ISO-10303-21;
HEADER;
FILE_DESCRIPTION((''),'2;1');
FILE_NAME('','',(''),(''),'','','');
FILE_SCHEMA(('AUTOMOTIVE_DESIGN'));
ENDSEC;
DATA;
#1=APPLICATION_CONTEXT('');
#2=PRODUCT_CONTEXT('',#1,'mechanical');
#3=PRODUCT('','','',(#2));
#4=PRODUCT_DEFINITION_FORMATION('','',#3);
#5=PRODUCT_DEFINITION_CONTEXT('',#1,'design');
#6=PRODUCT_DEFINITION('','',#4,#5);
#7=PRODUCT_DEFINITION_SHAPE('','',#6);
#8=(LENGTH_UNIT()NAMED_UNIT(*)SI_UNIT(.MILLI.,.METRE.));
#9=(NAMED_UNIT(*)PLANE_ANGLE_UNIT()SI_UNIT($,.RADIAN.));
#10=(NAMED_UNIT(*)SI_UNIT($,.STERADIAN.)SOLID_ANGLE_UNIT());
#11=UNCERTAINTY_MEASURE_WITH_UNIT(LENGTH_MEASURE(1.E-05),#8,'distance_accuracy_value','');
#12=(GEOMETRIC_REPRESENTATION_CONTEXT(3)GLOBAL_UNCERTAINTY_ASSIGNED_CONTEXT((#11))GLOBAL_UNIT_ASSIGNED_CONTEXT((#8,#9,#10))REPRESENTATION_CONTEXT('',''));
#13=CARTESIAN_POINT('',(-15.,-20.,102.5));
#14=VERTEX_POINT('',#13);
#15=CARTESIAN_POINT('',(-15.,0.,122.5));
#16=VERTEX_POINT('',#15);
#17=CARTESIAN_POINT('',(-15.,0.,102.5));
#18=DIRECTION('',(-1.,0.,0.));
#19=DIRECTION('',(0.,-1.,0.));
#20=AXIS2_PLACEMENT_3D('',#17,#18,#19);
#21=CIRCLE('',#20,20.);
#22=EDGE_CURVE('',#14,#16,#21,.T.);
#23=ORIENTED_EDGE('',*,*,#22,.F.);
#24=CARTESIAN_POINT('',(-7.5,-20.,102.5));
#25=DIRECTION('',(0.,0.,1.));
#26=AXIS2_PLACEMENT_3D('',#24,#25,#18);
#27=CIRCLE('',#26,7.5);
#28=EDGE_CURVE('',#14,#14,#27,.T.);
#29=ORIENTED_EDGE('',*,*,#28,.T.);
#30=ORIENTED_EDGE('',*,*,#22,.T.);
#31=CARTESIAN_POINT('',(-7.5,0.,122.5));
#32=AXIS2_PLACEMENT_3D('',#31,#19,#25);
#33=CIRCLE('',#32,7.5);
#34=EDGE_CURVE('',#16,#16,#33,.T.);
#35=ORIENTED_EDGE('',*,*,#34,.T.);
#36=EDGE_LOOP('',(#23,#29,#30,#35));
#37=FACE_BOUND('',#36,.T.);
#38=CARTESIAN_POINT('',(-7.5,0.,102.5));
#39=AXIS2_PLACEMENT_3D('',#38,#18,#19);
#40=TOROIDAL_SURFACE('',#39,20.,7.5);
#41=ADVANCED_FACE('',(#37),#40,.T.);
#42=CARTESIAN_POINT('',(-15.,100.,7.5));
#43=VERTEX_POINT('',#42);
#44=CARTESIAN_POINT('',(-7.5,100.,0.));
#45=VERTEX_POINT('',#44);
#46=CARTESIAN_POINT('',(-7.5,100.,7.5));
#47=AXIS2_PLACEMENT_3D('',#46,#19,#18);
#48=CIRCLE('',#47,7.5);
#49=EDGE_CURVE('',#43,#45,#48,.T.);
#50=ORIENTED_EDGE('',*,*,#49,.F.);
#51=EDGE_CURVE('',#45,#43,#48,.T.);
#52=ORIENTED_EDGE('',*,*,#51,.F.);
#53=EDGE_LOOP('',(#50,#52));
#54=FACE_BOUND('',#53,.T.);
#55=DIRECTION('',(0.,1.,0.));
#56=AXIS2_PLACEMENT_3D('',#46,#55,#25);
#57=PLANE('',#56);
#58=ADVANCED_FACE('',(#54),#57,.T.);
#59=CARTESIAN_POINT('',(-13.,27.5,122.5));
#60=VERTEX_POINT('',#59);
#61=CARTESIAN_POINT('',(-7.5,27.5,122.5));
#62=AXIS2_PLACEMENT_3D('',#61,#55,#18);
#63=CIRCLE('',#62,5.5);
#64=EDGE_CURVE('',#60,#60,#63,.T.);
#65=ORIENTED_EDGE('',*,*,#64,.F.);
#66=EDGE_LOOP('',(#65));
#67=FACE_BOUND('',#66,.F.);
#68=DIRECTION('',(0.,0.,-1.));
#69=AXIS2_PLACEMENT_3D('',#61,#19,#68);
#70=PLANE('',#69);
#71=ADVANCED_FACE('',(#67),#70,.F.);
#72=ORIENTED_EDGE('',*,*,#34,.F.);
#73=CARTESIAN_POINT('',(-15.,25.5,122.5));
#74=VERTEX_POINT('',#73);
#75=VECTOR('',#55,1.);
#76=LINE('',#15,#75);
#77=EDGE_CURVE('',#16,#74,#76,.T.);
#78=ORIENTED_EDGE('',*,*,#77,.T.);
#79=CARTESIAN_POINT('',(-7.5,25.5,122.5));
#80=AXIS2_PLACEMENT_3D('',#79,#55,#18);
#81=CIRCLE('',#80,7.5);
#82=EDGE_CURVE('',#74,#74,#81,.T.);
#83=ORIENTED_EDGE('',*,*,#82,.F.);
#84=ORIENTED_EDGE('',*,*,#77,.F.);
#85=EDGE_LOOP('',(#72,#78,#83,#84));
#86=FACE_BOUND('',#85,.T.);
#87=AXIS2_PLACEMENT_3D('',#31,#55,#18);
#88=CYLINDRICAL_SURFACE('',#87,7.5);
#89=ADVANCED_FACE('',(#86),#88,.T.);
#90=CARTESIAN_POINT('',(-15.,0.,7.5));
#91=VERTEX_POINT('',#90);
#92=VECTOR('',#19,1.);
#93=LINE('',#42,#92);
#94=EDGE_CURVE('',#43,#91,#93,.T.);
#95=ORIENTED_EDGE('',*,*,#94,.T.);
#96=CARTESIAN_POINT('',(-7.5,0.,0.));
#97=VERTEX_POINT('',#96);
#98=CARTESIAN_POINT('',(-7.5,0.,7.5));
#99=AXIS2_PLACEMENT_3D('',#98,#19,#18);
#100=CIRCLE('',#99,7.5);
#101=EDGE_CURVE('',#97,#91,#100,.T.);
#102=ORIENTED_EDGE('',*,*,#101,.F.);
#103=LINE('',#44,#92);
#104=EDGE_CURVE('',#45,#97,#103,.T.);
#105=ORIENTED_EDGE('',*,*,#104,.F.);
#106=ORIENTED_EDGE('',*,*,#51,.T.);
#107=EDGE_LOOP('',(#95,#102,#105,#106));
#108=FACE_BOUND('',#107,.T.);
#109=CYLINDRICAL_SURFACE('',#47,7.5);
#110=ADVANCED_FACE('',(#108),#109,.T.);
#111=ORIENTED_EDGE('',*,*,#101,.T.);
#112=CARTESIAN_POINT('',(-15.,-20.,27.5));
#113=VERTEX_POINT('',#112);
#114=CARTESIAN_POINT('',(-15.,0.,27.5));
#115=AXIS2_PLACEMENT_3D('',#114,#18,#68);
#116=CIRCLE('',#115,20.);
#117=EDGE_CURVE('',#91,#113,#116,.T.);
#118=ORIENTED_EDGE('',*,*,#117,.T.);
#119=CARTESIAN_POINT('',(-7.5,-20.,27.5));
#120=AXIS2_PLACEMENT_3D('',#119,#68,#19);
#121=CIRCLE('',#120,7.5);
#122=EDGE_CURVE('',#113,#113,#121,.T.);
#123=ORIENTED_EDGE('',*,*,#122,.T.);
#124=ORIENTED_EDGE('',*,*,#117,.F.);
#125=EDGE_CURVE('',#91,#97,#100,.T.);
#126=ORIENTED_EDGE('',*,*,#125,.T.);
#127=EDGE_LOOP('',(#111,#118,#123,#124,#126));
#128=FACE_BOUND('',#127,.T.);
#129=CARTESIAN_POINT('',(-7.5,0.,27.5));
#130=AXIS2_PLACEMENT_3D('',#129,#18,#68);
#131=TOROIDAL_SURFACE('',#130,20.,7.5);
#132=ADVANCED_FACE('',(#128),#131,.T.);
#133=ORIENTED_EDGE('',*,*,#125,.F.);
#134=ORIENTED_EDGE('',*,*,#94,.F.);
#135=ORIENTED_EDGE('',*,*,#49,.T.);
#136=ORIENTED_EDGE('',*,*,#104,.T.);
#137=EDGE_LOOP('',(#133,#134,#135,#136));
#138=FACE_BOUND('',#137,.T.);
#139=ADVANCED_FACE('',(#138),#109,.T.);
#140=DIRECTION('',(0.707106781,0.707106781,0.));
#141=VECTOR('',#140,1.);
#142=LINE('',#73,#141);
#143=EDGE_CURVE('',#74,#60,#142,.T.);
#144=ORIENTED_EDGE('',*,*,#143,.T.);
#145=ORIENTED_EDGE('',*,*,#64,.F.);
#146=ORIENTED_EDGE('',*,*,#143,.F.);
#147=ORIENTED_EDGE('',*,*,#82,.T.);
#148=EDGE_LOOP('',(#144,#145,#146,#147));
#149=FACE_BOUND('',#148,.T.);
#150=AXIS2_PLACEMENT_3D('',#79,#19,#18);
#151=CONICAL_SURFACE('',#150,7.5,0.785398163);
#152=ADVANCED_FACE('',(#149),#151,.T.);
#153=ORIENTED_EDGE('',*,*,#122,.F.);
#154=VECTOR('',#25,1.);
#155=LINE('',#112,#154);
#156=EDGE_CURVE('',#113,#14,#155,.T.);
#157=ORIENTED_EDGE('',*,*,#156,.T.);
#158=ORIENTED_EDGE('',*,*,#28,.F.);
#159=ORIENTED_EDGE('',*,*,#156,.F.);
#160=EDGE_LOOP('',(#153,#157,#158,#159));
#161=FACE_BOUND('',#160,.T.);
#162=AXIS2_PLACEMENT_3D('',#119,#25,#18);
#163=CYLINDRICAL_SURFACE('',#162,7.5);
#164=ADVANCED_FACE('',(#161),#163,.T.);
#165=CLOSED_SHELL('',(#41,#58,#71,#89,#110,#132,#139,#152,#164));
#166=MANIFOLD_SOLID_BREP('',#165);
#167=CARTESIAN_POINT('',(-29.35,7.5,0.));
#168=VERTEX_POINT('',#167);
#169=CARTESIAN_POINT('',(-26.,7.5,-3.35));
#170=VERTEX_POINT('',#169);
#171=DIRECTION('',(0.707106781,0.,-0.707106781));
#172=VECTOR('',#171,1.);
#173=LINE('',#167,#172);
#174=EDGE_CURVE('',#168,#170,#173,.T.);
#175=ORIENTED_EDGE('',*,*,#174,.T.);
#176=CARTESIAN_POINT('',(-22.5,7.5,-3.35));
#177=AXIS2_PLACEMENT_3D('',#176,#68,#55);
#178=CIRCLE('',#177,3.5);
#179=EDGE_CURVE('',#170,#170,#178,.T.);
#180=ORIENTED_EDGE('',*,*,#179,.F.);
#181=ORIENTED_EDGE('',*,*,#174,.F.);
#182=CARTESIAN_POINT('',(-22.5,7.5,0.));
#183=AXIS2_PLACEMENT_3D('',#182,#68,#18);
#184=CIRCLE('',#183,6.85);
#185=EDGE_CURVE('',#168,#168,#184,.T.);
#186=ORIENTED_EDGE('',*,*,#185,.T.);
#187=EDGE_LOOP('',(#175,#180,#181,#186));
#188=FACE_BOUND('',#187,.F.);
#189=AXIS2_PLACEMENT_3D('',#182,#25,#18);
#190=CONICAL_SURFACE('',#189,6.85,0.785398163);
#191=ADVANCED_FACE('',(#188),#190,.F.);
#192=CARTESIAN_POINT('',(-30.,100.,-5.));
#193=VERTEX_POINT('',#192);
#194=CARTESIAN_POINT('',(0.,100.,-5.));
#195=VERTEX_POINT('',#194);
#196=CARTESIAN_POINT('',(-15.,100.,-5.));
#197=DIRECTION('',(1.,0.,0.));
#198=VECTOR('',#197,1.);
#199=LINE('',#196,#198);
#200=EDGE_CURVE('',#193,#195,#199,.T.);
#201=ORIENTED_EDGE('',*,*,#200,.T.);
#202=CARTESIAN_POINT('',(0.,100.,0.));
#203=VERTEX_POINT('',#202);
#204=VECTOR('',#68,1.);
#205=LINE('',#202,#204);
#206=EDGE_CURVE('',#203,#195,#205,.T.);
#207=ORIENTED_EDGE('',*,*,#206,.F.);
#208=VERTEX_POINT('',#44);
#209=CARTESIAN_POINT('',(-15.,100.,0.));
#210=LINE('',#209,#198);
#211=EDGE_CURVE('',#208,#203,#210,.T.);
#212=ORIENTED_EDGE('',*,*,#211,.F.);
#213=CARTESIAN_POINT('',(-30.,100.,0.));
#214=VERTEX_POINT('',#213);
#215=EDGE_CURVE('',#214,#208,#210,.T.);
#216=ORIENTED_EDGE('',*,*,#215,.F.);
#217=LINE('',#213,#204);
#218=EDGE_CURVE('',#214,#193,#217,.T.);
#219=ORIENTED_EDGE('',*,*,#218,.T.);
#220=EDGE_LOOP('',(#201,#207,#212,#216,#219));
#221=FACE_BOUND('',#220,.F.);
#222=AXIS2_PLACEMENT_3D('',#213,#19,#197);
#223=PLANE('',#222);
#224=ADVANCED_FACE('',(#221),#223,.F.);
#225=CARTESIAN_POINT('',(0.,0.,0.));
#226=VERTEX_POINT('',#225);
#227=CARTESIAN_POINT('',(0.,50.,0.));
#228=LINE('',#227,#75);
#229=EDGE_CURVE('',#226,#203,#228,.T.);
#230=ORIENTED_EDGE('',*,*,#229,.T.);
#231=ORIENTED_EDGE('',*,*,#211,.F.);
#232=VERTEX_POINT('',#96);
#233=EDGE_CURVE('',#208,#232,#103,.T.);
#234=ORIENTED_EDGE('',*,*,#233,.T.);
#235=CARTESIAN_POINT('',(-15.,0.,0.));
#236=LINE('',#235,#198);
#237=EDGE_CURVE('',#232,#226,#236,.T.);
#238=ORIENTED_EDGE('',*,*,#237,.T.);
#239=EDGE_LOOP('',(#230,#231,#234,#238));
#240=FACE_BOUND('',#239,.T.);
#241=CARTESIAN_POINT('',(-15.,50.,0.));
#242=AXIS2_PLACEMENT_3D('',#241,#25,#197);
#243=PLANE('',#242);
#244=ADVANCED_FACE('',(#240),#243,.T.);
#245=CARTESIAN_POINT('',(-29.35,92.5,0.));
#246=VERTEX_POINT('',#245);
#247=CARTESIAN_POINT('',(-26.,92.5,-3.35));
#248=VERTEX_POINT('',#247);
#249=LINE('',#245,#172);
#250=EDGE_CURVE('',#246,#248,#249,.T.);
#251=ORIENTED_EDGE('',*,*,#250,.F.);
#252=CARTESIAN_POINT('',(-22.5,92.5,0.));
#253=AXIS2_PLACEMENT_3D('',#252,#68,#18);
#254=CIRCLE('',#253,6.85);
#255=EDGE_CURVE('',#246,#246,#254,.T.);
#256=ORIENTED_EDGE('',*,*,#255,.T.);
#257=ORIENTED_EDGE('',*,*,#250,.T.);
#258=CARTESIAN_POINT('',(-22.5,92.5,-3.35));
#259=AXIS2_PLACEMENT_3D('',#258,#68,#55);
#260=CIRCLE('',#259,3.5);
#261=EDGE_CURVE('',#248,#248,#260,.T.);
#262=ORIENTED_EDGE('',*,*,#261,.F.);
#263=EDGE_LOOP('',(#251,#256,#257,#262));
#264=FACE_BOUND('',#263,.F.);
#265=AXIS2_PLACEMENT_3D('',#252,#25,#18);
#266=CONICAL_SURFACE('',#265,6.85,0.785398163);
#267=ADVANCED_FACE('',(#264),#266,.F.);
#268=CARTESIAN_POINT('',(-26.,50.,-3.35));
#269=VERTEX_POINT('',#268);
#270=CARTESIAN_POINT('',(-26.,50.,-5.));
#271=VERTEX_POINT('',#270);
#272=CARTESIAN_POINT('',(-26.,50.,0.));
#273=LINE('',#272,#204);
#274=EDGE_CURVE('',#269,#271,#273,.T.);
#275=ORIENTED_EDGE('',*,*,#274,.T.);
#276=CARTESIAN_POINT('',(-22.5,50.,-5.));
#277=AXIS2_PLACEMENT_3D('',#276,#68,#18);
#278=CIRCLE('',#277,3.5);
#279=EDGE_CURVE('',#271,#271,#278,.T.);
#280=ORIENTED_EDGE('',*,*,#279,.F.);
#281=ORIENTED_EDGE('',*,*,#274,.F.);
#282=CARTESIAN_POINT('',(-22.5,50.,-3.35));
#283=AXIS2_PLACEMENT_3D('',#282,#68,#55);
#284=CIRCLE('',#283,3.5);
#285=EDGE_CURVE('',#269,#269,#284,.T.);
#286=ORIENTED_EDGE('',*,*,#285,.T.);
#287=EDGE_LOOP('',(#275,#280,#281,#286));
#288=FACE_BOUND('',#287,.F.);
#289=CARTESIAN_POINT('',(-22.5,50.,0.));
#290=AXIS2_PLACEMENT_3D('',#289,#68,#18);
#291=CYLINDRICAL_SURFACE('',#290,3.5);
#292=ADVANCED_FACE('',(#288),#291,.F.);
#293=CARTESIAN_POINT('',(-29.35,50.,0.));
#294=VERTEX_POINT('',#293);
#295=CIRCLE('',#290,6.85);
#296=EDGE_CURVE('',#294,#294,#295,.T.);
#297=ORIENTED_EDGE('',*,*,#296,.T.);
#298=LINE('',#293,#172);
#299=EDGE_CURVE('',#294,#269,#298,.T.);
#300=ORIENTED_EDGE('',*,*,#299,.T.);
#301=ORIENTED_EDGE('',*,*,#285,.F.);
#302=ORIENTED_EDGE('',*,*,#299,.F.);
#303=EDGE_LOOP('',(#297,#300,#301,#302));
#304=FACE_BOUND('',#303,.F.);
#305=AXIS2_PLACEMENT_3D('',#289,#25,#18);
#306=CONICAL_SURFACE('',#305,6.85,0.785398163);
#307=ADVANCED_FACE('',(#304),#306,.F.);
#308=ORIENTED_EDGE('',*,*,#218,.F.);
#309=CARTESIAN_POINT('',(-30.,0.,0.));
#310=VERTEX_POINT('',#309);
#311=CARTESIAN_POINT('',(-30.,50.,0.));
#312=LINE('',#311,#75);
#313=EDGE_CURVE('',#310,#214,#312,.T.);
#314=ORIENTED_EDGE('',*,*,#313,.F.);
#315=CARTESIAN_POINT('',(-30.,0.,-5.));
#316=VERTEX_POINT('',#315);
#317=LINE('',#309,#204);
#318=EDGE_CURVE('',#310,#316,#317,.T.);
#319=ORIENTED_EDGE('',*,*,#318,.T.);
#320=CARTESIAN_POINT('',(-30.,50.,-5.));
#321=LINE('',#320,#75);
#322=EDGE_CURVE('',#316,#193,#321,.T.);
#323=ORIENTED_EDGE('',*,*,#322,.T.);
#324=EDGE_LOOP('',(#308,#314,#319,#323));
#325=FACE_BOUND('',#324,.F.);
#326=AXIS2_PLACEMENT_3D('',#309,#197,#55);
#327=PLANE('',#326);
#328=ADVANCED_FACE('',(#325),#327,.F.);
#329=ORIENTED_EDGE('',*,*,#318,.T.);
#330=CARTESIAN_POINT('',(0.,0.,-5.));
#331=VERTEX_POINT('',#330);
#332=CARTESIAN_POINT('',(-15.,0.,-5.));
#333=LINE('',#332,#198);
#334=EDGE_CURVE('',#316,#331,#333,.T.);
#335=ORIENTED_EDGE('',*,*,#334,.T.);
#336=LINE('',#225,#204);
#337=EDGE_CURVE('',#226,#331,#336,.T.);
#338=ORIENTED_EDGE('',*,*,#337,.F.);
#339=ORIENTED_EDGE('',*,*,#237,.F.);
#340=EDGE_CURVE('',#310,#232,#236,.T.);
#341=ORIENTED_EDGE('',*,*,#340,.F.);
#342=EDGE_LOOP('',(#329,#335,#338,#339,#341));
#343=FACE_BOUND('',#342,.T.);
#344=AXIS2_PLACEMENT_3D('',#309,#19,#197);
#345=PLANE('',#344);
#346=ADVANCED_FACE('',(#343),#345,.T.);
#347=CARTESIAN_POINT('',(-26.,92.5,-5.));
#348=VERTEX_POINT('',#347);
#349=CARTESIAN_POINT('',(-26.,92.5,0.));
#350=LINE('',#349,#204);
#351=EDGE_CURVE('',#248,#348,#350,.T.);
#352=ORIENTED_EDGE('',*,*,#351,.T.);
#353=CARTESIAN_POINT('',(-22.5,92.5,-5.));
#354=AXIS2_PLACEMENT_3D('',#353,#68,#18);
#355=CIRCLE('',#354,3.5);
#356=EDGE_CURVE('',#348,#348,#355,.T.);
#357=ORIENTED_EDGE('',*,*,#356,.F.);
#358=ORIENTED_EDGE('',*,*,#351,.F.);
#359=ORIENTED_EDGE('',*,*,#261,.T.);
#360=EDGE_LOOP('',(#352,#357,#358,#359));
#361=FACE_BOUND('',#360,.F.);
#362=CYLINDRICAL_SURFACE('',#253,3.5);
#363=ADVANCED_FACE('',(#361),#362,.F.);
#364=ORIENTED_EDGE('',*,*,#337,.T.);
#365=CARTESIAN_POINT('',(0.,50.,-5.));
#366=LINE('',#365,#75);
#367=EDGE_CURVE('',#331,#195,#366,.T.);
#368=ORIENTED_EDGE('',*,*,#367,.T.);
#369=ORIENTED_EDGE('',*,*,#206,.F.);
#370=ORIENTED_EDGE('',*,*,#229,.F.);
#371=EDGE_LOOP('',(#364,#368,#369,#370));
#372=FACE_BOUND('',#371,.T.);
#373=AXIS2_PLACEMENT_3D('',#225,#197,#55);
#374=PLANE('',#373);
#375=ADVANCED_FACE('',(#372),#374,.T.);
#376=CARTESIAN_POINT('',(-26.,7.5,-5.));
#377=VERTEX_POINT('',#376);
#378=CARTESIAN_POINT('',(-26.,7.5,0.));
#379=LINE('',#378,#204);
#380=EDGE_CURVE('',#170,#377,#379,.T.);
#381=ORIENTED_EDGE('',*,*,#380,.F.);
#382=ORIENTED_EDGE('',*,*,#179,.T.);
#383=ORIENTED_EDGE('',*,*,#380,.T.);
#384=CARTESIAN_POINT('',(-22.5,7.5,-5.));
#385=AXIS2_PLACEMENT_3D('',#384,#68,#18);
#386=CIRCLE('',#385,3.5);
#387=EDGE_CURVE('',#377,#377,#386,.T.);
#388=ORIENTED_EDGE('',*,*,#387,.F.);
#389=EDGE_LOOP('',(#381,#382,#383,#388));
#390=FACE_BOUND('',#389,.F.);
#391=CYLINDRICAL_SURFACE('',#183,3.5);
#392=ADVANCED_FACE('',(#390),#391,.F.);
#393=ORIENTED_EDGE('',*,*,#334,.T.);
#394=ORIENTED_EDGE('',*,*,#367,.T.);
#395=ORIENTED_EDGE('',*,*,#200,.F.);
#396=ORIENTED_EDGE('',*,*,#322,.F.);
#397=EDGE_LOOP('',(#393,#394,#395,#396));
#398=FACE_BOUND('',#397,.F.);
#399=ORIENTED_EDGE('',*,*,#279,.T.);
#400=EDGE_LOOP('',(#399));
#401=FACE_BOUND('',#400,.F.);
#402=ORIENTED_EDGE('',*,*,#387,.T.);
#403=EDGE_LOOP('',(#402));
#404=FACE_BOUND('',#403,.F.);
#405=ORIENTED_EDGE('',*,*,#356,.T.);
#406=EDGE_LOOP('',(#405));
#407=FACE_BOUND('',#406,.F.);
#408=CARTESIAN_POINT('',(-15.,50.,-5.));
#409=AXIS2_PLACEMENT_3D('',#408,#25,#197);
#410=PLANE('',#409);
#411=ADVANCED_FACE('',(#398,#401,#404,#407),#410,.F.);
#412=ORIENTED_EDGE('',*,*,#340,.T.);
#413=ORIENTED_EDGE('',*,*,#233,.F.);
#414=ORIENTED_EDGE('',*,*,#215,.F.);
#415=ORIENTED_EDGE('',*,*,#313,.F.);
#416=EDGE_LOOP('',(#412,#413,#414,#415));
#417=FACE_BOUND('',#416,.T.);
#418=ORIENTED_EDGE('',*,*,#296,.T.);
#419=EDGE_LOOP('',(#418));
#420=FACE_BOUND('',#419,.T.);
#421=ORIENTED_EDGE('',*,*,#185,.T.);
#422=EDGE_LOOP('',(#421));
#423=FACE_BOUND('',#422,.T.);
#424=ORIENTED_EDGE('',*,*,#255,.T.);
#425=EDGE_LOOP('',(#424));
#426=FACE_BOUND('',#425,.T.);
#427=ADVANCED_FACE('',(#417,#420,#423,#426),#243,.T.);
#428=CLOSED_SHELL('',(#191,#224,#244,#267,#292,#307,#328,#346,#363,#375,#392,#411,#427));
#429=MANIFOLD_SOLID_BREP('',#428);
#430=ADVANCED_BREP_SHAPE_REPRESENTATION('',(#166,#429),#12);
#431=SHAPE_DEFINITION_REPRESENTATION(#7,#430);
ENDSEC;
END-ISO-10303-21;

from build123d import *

# Parameters (mm, degrees)
F0_W           = 30
F0_H           = 100
F0_R           = 3
F1_DEPTH       = 5
F5_D           = 7
F5_CSINK_D     = 13.7
F5_CSINK_ANGLE = 90
F6_SIZE        = 2


with BuildPart() as f1:
    # F0 (on Top) → F1 (new body)
    with BuildSketch(Plane.XY):
        with Locations((-15, 50)):
            Rectangle(F0_W, F0_H)
        with Locations((-22.5, 7.5)):
            Circle(F0_R, mode=Mode.SUBTRACT)
        with Locations((-22.5, 50)):
            Circle(F0_R, mode=Mode.SUBTRACT)
        with Locations((-22.5, 92.5)):
            Circle(F0_R, mode=Mode.SUBTRACT)
        with Locations((-22.5, 92.5)):
            Circle(F0_R)
        with Locations((-22.5, 50)):
            Circle(F0_R)
        with Locations((-22.5, 7.5)):
            Circle(F0_R)
    extrude(amount=-F1_DEPTH)

    # F4: sweep along a path in F3
    with BuildLine(Plane(origin=(-30, 0, 0), x_dir=(0, -1, 0), z_dir=(-1, 0, 0))) as f4_path:
        Line((-100, 7.5), (0, 7.5))
        ThreePointArc((0, 7.5), (14.1421356237, 13.3578643763), (20, 27.5))
        Line((20, 27.5), (20, 102.5))
        ThreePointArc((20, 102.5), (14.1421356237, 116.6421356237), (0, 122.5))
        Line((0, 122.5), (-27.5, 122.5))
    # F2 (on face) → F4 (sweep)
    with BuildSketch(Plane(origin=(0, 100, 0), x_dir=(-1, 0, 0), z_dir=(0, 1, 0))):
        with BuildLine():
            ThreePointArc((7.5, 0), (12.8033008589, 2.1966991411), (15, 7.5))
            ThreePointArc((15, 7.5), (2.1966991411, 12.8033008589), (7.5, 0))
        make_face()
    sweep(path=f4_path.line)

    # F5 (through all)
    with Locations(Plane.XY):
        with Locations((-22.5, 92.5), (-22.5, 50), (-22.5, 7.5)):
            CounterSinkHole(F5_D / 2, F5_CSINK_D / 2, counter_sink_angle=F5_CSINK_ANGLE)

    # F6
    f6_edges = [f1.edges().sort_by_distance(p)[0] for p in [
        (-7.5, 27.5, 115),
    ]]
    chamfer(f6_edges, length=F6_SIZE)


solid = f1.part
